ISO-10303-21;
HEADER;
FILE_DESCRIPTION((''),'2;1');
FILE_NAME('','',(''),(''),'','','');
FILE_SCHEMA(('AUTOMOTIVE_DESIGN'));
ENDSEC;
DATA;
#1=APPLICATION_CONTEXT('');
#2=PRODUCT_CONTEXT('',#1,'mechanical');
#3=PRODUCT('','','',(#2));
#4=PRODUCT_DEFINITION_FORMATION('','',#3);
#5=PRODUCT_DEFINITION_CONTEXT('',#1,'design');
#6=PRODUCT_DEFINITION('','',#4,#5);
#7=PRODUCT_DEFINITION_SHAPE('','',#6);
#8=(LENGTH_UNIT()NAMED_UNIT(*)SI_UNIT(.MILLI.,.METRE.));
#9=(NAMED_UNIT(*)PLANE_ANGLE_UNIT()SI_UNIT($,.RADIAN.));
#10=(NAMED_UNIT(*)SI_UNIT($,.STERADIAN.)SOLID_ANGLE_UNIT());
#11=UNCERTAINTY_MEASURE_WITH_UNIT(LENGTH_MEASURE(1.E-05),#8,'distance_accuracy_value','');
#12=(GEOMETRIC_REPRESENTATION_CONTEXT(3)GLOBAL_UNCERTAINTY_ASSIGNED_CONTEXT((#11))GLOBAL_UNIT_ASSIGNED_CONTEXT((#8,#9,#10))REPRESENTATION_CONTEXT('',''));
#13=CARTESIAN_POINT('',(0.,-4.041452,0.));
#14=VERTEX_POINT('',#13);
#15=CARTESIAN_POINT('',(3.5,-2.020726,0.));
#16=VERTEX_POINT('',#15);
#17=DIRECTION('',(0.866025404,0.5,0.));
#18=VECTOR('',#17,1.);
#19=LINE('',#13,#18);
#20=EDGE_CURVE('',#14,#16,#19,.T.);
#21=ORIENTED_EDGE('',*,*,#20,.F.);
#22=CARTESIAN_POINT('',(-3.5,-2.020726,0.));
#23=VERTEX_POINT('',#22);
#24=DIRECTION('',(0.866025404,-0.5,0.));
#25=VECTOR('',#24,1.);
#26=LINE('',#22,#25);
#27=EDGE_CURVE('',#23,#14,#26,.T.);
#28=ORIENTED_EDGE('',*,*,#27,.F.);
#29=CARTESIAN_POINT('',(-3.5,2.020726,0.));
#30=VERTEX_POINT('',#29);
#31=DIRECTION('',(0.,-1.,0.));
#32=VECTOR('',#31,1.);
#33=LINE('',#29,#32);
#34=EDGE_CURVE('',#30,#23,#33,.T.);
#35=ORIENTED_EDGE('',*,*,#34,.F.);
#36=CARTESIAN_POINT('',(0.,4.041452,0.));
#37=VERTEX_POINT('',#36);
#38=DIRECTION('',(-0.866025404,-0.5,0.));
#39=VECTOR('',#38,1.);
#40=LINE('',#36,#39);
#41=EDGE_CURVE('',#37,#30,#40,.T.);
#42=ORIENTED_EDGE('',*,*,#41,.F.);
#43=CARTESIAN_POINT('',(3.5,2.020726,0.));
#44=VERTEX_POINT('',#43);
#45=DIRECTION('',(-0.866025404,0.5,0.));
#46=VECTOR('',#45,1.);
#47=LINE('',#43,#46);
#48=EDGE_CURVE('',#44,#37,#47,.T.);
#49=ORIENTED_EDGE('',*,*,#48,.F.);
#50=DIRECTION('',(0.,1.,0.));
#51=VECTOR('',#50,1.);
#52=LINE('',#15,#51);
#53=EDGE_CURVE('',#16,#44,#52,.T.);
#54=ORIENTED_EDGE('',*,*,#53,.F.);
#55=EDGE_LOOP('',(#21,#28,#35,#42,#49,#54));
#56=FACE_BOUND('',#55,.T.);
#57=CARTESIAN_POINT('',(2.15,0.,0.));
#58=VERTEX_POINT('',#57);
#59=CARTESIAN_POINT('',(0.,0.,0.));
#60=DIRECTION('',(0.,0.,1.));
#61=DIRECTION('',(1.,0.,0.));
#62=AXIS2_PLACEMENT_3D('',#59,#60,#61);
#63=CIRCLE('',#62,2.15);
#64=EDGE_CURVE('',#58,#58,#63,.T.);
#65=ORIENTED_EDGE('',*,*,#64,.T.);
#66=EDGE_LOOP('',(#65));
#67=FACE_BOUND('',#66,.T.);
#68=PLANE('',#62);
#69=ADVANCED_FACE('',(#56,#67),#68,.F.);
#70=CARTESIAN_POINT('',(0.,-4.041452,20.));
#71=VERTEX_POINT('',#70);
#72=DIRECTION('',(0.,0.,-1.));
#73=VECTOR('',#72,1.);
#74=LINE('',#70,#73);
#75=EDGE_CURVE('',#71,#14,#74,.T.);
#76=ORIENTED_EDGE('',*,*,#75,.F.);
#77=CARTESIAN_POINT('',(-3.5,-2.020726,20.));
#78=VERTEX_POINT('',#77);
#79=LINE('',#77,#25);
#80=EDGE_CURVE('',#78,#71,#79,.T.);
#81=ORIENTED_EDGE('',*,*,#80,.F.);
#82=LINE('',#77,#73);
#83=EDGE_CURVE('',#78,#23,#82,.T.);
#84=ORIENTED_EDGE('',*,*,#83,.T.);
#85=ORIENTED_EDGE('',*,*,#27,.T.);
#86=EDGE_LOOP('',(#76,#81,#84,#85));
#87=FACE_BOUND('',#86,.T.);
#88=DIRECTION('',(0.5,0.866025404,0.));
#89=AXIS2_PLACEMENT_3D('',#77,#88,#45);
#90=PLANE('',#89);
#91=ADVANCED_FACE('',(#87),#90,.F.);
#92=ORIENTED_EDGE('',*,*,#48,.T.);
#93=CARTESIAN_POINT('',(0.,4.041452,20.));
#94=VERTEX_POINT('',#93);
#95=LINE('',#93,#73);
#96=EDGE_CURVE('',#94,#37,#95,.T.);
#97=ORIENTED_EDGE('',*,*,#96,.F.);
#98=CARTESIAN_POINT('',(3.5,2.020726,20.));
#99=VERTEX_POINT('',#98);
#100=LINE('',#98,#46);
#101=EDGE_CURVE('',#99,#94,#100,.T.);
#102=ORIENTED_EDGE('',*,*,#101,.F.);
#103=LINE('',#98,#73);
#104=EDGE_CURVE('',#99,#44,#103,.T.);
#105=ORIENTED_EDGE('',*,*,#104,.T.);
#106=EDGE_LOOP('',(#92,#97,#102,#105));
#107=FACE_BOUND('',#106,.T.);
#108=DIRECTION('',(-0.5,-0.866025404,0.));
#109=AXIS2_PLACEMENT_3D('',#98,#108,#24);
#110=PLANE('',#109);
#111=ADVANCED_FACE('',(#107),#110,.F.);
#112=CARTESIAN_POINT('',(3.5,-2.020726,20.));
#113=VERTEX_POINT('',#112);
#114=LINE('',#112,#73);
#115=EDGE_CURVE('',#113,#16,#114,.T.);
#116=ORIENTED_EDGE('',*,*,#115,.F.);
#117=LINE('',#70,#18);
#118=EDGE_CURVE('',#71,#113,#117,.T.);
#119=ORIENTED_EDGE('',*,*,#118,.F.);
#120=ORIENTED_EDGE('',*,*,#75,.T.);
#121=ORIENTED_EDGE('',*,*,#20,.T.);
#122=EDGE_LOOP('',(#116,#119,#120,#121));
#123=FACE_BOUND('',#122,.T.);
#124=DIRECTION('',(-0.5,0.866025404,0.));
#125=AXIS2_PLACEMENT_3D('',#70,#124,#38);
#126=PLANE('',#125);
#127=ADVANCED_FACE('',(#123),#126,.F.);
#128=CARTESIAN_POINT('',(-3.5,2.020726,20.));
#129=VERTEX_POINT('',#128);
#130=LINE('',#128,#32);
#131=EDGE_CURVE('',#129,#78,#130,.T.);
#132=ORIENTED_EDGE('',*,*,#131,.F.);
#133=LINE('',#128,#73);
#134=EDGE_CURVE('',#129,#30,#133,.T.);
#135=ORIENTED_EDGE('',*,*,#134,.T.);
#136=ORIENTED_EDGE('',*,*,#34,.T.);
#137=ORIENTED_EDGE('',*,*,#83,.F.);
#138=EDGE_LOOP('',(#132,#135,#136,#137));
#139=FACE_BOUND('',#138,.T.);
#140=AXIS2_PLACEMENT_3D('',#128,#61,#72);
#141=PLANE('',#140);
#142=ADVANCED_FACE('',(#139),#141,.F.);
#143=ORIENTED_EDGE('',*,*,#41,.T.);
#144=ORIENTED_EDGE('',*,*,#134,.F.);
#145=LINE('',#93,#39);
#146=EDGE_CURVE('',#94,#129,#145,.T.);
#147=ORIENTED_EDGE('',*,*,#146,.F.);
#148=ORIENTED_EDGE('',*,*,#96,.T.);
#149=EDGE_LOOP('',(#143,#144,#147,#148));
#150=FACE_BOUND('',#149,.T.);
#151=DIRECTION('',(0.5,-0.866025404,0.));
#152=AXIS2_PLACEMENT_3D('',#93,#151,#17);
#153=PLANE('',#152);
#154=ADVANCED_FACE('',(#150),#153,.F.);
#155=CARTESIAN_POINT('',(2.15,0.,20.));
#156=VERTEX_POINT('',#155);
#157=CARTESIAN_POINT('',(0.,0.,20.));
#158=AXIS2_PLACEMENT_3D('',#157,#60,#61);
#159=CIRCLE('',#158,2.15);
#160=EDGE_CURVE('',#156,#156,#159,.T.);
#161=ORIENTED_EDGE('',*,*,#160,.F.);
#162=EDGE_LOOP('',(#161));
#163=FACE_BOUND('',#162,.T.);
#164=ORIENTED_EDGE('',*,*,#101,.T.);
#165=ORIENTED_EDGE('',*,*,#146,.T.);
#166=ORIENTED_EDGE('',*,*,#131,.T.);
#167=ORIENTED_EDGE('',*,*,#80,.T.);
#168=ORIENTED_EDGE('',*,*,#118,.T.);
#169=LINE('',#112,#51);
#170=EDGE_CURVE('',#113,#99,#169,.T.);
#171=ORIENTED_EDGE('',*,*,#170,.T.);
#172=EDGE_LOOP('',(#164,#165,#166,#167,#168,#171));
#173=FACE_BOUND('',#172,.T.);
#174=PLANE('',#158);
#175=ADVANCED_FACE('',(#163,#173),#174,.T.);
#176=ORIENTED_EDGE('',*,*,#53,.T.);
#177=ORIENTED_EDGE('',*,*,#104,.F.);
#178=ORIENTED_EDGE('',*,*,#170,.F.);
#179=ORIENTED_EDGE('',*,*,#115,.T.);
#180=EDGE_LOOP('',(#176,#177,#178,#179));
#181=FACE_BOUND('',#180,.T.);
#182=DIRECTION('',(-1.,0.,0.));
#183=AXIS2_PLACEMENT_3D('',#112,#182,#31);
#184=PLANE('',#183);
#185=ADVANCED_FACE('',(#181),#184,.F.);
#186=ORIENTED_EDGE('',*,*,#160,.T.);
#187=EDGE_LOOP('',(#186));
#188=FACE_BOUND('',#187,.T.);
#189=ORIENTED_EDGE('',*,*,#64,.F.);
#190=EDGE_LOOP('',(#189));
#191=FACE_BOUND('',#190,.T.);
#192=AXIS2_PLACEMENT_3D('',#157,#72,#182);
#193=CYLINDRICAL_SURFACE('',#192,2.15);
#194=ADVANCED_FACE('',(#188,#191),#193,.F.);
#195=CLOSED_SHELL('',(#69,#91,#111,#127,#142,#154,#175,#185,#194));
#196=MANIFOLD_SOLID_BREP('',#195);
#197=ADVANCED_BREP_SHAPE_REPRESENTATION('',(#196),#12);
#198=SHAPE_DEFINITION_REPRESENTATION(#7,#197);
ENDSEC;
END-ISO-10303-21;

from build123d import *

# Parameters (mm, degrees)
SKETCH_1_R      = 2.15
EXTRUDE_1_DEPTH = 20


with BuildPart() as part:
    # 草图1 → 凸台-拉伸1 (new body)
    with BuildSketch(Plane.XY):
        Polygon((3.5, -2.020725942), (3.5, 2.020725942), (0, 4.041451884), (-3.5, 2.020725942), (-3.5, -2.020725942), (0, -4.041451884), align=None)
        Circle(SKETCH_1_R, mode=Mode.SUBTRACT)
    extrude(amount=EXTRUDE_1_DEPTH)


solid = part.part
